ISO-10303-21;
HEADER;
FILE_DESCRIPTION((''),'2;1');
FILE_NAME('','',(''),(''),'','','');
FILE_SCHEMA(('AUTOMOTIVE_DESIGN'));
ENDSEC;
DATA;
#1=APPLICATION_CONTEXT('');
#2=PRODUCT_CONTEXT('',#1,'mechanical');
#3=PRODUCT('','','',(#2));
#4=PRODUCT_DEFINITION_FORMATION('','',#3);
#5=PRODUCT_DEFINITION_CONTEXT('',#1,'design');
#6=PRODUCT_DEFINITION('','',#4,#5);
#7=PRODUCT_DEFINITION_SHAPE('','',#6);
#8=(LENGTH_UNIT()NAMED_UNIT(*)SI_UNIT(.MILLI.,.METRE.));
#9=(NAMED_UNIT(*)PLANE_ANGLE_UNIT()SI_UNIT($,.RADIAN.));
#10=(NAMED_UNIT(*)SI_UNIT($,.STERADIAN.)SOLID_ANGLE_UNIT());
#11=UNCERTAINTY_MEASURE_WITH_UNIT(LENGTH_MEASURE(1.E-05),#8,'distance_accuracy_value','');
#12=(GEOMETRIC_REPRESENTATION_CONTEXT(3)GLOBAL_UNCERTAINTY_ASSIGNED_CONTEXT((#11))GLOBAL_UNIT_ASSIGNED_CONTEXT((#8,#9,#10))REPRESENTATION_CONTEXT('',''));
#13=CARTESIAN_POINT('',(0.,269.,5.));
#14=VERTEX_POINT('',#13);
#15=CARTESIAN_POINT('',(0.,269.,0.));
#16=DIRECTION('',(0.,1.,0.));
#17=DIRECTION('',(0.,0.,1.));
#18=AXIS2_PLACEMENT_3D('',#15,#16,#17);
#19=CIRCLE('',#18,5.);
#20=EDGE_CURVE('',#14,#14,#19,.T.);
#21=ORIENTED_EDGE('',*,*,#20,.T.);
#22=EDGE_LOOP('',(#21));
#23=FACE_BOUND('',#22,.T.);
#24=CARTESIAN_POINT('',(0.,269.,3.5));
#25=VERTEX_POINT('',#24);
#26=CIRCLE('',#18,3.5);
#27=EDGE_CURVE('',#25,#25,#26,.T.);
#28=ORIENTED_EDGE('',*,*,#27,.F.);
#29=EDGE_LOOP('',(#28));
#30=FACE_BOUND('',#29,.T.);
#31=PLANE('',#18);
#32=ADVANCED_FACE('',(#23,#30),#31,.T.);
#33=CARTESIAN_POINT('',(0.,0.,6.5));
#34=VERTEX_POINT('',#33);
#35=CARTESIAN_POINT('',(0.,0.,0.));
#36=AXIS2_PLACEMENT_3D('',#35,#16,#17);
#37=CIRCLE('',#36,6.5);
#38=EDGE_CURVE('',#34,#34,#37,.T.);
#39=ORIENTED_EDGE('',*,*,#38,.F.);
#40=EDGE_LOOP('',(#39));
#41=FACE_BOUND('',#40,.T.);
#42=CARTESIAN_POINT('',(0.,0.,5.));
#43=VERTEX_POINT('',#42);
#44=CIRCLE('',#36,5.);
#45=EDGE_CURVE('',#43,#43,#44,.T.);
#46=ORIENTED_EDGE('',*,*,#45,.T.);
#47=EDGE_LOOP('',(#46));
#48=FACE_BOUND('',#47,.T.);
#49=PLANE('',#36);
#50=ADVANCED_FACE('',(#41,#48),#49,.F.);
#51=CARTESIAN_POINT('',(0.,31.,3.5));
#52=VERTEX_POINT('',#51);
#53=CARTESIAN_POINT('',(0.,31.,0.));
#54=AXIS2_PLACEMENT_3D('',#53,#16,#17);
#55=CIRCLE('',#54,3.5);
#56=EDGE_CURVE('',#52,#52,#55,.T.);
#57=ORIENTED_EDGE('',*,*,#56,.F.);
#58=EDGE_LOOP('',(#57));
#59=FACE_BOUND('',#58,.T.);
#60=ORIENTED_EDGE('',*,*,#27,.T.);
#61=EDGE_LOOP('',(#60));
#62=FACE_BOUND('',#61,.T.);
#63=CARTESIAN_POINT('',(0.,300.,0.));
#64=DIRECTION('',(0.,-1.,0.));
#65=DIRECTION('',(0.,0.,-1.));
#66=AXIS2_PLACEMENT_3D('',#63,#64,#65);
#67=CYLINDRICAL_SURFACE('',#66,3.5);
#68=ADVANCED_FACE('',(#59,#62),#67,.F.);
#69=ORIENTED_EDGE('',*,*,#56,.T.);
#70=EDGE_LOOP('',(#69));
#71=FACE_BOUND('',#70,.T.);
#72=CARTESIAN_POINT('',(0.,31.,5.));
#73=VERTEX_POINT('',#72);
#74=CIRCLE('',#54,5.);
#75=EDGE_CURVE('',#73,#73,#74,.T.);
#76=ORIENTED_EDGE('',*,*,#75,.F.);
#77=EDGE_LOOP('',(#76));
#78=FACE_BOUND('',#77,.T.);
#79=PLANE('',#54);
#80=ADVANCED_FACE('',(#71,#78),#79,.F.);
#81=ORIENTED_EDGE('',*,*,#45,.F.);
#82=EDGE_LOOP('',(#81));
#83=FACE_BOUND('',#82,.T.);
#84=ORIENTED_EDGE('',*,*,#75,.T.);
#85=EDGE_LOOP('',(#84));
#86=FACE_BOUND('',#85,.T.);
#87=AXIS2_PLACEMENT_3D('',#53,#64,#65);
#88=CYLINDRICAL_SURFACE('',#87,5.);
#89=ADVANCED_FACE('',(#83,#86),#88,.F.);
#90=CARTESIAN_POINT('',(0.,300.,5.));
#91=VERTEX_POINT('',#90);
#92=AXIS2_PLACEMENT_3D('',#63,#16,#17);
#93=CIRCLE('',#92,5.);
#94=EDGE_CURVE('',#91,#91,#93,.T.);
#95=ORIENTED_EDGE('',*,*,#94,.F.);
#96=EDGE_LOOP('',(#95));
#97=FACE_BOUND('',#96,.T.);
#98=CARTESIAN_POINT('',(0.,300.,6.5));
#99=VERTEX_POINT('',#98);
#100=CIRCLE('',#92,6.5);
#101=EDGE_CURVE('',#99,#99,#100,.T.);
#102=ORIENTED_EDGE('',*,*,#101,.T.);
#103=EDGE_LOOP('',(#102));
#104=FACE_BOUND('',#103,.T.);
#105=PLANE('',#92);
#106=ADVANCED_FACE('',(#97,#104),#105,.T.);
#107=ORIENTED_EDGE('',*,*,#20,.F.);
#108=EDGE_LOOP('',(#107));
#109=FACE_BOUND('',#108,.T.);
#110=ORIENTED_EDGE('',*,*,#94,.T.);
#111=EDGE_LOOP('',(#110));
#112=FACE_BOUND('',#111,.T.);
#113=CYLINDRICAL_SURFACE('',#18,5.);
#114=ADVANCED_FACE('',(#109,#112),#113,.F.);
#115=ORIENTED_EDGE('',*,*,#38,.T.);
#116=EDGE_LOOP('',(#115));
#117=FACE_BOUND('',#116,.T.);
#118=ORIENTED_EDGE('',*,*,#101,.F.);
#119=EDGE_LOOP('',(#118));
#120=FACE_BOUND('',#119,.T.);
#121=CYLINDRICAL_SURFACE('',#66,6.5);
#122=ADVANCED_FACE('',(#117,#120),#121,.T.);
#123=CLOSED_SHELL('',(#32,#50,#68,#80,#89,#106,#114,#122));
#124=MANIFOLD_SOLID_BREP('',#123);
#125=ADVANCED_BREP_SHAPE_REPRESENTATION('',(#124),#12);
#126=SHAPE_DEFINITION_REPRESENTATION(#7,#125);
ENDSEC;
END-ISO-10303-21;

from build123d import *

# Parameters (mm, degrees)
SKETCH1_R           = 6.5
SKETCH1_R_2         = 3.5
BOSS_EXTRUDE1_DEPTH = 300
SKETCH2_R           = 5
CUT_EXTRUDE1_DEPTH  = 31
CUT_EXTRUDE2_START  = -269
SKETCH2_2_R         = 5
CUT_EXTRUDE2_DEPTH  = 31


with BuildPart() as part:
    # Sketch1 → Boss-Extrude1 (new body)
    with BuildSketch(Plane(origin=(0, 0, 0), x_dir=(1, 0, 0), z_dir=(0, 1, 0))):
        with Locations(Location((0, 0, 0), (0, 0, 270))):
            Circle(SKETCH1_R)
        with Locations(Location((0, 0, 0), (0, 0, 270))):
            Circle(SKETCH1_R_2, mode=Mode.SUBTRACT)
    extrude(amount=BOSS_EXTRUDE1_DEPTH)

    # Sketch2 → Cut-Extrude1 (cut)
    with BuildSketch(Plane(origin=(0, 300, 0), x_dir=(1, 0, 0), z_dir=(0, 1, 0))):
        with Locations(Location((0, 0, 0), (0, 0, 270))):
            Circle(SKETCH2_R)
    extrude(amount=-CUT_EXTRUDE1_DEPTH, mode=Mode.SUBTRACT)

    # Sketch2<2> → Cut-Extrude2 (cut)
    with BuildSketch(Plane(origin=(0, 300, 0), x_dir=(1, 0, 0), z_dir=(0, 1, 0)).offset(CUT_EXTRUDE2_START)):
        with Locations(Location((0, 0, 0), (0, 0, 270))):
            Circle(SKETCH2_2_R)
    extrude(amount=-CUT_EXTRUDE2_DEPTH, mode=Mode.SUBTRACT)


solid = part.part
